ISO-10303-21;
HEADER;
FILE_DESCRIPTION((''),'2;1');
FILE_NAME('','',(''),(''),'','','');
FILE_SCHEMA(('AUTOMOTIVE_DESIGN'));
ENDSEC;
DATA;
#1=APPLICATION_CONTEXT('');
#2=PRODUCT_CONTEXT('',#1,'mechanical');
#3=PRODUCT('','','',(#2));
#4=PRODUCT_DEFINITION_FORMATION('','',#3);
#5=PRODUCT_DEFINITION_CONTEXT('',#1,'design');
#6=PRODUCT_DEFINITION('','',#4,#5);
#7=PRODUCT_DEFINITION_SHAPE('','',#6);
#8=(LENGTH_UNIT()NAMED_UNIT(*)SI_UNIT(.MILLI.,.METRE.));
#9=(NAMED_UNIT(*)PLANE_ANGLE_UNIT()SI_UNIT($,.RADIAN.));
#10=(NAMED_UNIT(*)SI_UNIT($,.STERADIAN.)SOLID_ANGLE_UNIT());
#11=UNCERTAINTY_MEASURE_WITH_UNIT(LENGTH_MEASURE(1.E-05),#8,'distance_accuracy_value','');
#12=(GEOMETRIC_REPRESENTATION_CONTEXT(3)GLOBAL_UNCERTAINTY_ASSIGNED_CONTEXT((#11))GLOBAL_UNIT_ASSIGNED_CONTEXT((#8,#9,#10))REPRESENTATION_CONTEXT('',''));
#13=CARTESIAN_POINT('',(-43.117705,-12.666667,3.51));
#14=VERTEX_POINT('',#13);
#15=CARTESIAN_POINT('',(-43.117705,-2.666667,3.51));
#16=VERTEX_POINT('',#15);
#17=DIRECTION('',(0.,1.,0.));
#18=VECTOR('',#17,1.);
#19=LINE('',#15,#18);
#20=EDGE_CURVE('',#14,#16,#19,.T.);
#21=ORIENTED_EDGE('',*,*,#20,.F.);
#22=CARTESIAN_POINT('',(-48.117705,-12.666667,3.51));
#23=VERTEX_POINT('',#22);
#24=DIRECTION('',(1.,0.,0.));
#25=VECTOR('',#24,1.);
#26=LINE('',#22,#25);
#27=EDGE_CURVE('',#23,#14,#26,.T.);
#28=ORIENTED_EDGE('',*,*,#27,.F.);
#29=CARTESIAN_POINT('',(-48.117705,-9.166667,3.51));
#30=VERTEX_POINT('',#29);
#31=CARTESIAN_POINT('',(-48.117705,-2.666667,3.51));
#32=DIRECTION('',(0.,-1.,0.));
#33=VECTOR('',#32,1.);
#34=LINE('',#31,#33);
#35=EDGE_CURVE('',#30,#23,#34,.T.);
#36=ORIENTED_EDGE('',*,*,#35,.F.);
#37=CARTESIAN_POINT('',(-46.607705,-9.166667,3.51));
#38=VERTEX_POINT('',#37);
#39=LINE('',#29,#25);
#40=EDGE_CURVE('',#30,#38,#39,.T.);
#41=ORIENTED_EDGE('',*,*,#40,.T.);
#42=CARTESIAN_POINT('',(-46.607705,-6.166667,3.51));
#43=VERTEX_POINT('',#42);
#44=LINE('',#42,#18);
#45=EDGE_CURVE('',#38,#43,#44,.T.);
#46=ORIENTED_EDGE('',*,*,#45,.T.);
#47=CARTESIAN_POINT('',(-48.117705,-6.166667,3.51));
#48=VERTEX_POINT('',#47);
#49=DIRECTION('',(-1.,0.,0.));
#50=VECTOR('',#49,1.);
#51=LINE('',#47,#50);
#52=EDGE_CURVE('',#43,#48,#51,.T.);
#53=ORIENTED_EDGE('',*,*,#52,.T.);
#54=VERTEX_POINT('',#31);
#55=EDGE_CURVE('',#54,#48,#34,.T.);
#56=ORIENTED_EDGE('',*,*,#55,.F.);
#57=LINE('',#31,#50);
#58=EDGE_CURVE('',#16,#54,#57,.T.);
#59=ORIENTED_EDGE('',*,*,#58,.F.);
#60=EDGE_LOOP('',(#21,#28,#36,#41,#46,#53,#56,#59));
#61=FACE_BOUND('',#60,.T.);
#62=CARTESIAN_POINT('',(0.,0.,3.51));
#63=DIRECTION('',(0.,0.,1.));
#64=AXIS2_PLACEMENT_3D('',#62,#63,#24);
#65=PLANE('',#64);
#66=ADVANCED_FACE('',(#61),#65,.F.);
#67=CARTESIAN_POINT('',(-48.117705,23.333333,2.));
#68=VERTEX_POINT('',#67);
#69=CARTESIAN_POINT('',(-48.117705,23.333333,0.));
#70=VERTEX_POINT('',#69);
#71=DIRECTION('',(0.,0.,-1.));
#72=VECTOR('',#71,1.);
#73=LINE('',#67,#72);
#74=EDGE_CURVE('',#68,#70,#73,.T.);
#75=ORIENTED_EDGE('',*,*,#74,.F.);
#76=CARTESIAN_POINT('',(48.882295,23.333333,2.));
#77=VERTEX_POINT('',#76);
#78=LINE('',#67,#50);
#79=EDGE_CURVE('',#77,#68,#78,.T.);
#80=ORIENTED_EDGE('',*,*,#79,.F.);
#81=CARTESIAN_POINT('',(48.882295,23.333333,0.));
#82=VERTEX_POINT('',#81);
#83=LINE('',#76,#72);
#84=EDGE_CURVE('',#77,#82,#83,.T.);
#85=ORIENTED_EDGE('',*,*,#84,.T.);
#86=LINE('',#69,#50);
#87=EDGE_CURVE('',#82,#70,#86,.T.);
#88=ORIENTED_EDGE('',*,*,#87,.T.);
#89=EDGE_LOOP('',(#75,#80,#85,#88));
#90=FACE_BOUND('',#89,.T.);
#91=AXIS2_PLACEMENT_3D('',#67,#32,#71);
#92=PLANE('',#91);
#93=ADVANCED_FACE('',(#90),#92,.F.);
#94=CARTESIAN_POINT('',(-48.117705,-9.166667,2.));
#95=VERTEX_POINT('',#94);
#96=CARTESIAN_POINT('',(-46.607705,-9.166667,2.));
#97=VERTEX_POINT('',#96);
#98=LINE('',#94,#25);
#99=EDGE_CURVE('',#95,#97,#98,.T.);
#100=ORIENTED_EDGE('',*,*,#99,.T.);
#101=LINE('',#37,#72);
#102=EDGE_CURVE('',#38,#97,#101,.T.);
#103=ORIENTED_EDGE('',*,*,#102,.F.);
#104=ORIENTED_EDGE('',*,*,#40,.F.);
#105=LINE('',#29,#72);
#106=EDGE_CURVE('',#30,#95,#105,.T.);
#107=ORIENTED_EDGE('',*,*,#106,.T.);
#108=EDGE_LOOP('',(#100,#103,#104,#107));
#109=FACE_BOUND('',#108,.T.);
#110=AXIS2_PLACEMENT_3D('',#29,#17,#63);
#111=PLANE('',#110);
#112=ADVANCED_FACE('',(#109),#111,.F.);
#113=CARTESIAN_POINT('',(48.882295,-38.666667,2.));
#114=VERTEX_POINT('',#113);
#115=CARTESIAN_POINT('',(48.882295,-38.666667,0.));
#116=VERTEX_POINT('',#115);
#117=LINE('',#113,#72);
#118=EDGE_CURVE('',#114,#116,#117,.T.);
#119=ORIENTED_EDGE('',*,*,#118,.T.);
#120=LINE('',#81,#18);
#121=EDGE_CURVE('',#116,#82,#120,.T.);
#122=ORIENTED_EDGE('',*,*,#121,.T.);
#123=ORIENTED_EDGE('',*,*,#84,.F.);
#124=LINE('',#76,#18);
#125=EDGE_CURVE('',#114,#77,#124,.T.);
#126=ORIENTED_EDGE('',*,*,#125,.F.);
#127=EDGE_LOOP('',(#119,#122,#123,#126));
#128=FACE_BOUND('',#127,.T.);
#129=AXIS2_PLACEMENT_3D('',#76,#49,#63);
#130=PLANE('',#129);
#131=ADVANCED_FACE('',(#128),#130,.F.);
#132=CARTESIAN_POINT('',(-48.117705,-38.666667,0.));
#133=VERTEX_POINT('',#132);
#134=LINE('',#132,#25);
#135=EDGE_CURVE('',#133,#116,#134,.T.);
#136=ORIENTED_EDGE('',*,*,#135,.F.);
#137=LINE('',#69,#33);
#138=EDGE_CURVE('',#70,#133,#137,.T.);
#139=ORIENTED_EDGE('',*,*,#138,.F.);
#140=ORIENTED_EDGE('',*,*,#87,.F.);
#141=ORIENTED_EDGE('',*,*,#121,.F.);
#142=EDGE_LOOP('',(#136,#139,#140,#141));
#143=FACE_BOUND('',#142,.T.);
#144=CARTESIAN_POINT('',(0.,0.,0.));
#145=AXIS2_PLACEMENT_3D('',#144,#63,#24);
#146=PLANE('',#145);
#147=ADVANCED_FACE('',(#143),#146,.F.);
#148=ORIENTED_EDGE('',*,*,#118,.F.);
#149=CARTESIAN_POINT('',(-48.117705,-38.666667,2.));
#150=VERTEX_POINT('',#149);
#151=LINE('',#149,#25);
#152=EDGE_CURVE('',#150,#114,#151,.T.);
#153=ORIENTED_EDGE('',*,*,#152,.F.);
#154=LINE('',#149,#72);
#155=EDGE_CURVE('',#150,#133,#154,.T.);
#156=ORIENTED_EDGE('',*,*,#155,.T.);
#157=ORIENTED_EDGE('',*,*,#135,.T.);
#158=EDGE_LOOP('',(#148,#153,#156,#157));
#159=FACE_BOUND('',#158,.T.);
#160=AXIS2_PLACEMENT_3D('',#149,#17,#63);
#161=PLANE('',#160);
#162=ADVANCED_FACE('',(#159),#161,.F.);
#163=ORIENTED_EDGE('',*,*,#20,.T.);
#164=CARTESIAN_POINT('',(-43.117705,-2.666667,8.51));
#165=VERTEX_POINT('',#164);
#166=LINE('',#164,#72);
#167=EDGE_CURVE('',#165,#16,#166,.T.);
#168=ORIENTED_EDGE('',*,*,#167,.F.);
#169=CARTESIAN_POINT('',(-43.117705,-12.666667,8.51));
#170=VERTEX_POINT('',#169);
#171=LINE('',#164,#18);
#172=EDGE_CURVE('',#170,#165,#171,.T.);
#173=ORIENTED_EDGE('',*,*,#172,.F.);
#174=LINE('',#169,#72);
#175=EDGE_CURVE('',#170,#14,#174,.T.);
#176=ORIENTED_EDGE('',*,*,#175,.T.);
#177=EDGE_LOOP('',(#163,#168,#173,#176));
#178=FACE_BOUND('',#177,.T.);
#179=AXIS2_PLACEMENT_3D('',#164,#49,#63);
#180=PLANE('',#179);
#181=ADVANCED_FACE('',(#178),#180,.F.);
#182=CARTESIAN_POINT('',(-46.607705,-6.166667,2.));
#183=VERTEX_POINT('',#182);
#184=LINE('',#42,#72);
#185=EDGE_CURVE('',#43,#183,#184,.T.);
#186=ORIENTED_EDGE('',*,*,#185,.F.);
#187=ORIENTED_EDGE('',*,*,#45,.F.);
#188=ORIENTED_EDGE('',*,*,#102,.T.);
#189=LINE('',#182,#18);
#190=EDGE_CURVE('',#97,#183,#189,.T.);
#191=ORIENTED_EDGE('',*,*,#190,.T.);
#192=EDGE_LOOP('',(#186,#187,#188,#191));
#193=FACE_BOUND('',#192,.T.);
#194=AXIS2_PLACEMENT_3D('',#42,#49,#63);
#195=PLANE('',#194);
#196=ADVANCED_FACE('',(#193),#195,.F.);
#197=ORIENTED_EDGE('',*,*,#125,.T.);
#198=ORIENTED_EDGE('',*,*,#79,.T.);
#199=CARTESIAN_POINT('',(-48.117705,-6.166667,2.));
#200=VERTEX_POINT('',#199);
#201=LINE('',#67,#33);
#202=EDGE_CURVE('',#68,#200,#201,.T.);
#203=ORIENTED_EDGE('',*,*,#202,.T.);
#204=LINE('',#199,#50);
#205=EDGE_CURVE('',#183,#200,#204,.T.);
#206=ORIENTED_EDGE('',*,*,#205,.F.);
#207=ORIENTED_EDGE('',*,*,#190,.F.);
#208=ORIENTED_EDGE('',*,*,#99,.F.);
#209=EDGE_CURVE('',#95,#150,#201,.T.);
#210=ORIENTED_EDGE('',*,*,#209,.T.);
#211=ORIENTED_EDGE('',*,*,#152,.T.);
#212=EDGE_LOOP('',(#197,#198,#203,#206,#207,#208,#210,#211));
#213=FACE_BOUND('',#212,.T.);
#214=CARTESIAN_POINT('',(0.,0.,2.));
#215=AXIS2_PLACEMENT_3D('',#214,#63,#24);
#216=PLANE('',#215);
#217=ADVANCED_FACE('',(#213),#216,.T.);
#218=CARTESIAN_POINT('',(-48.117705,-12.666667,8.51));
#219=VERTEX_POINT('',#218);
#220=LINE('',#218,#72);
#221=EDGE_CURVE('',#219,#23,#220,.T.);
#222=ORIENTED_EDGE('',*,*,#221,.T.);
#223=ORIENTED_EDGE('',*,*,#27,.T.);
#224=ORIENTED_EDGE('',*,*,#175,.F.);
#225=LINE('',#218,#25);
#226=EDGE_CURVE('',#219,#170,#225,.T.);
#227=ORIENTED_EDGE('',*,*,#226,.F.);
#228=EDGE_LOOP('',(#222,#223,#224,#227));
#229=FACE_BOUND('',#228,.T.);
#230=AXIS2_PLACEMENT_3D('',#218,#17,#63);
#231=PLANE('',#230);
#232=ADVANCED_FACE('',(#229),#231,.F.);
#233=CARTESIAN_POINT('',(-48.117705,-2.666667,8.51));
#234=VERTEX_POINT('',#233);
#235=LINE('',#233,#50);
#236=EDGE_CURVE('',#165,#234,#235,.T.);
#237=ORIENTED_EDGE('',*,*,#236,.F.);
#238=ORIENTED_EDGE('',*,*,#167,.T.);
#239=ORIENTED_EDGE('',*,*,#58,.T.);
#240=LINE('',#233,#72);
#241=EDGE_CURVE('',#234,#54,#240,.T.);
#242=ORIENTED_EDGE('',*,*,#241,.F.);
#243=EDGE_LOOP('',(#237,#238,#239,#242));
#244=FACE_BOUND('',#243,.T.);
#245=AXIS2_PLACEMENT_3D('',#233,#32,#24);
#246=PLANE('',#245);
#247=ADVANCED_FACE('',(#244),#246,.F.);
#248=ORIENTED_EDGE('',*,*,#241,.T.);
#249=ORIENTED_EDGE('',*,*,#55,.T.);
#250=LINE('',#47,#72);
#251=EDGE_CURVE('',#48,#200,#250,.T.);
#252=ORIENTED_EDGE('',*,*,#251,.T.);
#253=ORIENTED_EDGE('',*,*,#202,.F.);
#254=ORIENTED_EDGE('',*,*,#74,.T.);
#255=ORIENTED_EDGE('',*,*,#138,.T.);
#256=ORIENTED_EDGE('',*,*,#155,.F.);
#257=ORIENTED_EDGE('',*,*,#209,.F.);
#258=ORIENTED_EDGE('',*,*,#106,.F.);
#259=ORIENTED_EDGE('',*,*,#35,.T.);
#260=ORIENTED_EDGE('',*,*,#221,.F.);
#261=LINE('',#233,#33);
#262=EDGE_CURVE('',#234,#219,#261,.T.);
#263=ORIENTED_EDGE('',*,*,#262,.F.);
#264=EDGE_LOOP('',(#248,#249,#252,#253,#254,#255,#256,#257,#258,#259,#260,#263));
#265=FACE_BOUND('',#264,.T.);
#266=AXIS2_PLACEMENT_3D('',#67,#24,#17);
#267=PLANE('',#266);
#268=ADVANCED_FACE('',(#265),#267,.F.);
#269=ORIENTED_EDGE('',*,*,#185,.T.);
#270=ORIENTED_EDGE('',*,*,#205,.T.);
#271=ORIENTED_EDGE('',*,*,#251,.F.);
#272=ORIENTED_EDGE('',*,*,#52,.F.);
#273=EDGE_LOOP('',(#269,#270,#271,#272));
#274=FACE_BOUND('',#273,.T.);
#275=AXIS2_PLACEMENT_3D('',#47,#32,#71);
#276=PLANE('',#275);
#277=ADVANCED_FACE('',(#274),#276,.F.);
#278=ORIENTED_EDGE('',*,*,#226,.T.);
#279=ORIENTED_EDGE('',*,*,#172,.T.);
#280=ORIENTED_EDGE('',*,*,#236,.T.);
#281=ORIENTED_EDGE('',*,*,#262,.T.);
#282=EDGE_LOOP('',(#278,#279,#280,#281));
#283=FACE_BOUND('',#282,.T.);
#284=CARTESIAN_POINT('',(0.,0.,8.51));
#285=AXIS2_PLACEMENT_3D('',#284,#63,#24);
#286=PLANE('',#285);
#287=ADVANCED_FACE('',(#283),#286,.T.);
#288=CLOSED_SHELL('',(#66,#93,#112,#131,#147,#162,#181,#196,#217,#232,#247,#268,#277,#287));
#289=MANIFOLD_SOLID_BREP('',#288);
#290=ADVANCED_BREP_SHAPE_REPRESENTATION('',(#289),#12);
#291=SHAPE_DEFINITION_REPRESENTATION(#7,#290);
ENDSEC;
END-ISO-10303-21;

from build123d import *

# Parameters (mm, degrees)
ESQUISSE1_W        = 97
ESQUISSE1_H        = 62
BOSS_EXTRU_1_DEPTH = 2
ESQUISSE3_W        = 1.51
ESQUISSE3_H        = 3
BOSS_EXTRU_3_DEPTH = 1.51
ESQUISSE4_W        = 5
ESQUISSE4_H        = 10
BOSS_EXTRU_4_DEPTH = 5


with BuildPart() as part:
    # Esquisse1 → Boss.-Extru.1 (new body)
    with BuildSketch(Plane.XY):
        with Locations((0.382294712, -7.666666667)):
            Rectangle(ESQUISSE1_W, ESQUISSE1_H)
    extrude(amount=BOSS_EXTRU_1_DEPTH)

    # Esquisse3 → Boss.-Extru.3 (add)
    with BuildSketch(Plane.XY.offset(2)):
        with Locations((-47.362705288, -7.666666667)):
            Rectangle(ESQUISSE3_W, ESQUISSE3_H)
    extrude(amount=BOSS_EXTRU_3_DEPTH)

    # Esquisse4 → Boss.-Extru.4 (add)
    with BuildSketch(Plane.XY.offset(3.51)):
        with Locations((-45.617705288, -7.666666667)):
            Rectangle(ESQUISSE4_W, ESQUISSE4_H)
    extrude(amount=BOSS_EXTRU_4_DEPTH)


solid = part.part
